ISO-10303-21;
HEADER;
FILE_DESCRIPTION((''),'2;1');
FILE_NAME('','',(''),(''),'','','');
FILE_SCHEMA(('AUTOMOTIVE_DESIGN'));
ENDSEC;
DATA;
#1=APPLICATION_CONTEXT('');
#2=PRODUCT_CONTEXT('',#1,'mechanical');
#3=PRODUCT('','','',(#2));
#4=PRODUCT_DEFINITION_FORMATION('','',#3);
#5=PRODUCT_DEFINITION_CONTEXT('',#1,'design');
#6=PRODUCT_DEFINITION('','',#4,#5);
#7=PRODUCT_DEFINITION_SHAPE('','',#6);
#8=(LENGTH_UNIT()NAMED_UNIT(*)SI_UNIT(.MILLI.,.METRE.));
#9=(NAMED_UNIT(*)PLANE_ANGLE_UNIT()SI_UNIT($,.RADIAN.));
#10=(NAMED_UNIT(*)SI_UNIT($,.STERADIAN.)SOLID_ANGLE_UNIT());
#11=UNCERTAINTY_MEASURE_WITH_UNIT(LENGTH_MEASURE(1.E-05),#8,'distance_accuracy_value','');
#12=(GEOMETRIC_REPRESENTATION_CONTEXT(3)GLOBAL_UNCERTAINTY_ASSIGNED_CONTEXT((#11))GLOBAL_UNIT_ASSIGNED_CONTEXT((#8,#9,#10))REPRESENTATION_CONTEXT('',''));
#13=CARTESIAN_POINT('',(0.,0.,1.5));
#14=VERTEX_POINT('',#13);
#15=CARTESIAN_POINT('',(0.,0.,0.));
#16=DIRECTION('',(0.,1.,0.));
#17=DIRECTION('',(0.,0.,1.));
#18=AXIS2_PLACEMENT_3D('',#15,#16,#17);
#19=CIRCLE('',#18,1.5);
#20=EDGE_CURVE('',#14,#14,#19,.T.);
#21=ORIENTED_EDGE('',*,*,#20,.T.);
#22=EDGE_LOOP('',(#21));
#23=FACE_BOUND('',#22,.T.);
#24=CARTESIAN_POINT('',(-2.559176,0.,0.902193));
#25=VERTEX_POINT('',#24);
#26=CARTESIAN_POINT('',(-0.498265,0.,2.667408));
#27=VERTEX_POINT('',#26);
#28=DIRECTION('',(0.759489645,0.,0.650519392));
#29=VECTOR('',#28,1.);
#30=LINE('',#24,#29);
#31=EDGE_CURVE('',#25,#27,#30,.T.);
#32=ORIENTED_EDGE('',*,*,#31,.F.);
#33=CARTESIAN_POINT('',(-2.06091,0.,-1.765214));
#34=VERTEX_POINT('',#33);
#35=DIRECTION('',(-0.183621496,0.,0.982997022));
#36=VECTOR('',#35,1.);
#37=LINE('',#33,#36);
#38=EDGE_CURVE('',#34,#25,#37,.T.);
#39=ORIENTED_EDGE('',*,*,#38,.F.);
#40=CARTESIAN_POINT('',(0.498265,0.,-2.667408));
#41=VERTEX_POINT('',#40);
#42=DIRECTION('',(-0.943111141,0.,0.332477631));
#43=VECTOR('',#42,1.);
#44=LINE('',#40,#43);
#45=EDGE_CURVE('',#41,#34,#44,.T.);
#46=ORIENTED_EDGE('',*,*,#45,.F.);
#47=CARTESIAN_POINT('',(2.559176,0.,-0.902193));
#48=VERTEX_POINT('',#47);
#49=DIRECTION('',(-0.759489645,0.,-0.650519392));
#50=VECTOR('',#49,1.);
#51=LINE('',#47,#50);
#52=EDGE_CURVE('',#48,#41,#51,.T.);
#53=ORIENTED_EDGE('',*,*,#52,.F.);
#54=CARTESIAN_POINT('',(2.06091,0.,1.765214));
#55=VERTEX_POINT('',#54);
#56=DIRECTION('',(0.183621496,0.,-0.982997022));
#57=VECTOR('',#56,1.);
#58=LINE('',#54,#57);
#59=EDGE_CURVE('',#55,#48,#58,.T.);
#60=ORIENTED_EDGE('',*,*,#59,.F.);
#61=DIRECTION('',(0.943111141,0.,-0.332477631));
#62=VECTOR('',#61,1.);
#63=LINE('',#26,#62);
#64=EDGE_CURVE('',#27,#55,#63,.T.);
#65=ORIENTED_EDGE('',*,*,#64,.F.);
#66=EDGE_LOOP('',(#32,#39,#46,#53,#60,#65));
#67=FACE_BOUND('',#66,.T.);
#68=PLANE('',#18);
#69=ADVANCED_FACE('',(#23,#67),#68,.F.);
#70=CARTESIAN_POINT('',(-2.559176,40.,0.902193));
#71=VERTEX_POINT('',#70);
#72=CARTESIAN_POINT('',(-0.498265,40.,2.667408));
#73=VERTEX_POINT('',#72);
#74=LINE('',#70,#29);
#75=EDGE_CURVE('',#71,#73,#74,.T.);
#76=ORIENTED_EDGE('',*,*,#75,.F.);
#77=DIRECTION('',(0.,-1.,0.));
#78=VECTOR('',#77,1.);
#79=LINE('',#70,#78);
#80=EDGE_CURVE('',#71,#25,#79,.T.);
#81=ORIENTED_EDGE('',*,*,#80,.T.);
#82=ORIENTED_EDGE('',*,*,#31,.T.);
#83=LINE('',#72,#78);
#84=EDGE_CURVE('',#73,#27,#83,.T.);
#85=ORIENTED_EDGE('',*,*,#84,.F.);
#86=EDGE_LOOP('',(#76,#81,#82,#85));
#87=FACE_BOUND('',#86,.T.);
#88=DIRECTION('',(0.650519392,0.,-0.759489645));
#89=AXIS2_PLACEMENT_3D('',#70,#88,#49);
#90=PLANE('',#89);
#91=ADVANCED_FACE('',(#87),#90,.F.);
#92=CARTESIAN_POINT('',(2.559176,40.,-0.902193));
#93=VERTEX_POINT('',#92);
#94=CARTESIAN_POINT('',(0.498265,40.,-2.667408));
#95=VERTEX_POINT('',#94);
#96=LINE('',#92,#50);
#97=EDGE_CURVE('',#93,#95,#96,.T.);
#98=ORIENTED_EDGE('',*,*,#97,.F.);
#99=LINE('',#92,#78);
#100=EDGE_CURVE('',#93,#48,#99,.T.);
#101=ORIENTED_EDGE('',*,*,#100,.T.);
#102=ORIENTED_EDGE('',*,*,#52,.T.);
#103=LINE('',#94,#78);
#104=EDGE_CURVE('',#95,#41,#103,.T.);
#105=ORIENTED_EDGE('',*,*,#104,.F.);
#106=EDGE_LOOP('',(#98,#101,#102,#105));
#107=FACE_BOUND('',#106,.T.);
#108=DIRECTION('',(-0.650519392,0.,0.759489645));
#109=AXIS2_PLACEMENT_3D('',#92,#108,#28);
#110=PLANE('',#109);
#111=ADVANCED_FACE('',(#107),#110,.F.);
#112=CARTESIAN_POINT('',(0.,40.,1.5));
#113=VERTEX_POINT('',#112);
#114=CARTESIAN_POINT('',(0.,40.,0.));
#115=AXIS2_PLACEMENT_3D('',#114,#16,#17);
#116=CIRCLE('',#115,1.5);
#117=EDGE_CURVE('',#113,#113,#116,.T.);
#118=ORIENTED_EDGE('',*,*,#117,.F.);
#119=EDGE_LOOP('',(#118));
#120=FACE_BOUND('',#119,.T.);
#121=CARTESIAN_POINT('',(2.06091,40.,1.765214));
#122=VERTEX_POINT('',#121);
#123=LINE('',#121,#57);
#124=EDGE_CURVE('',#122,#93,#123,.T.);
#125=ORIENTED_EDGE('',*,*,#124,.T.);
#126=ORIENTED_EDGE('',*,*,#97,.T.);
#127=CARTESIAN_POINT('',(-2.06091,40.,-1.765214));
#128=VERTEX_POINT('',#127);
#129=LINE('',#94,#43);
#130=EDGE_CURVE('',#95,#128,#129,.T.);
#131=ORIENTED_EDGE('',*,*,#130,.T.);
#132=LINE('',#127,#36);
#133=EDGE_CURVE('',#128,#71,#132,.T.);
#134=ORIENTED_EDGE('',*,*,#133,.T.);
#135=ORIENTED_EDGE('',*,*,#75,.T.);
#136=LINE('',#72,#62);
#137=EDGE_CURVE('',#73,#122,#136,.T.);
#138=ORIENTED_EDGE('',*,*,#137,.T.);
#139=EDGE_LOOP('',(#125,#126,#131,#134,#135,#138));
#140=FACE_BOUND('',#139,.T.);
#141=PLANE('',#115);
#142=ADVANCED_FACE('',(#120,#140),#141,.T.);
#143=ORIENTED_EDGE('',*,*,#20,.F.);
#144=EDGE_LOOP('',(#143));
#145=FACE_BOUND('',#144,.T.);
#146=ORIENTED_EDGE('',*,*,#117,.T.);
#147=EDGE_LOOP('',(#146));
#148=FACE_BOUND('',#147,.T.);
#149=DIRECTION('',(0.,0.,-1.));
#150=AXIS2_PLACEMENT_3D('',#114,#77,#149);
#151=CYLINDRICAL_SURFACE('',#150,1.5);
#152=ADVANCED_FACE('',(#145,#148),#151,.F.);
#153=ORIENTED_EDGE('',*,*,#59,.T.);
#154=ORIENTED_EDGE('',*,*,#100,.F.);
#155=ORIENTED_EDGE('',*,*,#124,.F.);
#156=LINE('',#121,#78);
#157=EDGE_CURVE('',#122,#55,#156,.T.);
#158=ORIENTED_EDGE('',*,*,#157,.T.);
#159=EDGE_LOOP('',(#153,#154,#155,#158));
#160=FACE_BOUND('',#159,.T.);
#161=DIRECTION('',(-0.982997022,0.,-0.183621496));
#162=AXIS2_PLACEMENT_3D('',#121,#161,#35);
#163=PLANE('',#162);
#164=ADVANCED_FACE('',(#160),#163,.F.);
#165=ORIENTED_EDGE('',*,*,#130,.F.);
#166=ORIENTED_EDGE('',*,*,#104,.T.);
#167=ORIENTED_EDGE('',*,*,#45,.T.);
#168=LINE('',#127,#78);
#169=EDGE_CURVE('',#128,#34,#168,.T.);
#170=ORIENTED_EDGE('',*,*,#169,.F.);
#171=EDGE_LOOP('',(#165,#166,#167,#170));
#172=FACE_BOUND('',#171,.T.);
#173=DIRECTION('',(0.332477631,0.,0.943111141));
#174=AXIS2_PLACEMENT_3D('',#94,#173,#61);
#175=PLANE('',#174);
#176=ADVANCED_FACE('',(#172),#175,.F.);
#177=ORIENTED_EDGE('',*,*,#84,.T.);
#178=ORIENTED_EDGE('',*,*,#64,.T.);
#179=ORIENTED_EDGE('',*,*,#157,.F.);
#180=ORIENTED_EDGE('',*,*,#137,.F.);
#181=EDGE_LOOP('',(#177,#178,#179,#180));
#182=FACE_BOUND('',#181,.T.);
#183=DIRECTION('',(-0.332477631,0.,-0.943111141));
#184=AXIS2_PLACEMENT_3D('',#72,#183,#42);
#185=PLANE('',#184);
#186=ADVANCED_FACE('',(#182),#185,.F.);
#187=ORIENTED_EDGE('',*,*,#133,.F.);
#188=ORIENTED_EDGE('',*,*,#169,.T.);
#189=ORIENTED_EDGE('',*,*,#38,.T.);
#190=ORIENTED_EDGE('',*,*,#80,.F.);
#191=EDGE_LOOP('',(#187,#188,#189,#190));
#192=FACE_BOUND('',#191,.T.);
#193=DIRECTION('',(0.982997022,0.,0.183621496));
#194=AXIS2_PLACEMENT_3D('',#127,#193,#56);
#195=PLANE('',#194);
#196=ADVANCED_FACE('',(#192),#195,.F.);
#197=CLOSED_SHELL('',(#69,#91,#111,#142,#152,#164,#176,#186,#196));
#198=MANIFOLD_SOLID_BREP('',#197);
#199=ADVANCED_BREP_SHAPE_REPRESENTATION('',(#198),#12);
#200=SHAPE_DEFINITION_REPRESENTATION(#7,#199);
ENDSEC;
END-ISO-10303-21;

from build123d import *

# Parameters (mm, degrees)
SKETCH_1_R      = 1.5
EXTRUDE_1_DEPTH = 40


with BuildPart() as part:
    # 草图1 → 凸台-拉伸1 (new body)
    with BuildSketch(Plane(origin=(0, 0, 0), x_dir=(1, 0, 0), z_dir=(0, 1, 0))):
        Polygon((2.06091029, -1.765214466), (2.559175715, 0.902193433), (0.498265425, 2.667407899), (-2.06091029, 1.765214466), (-2.559175715, -0.902193433), (-0.498265425, -2.667407899), align=None)
        Circle(SKETCH_1_R, mode=Mode.SUBTRACT)
    extrude(amount=EXTRUDE_1_DEPTH)


solid = part.part
